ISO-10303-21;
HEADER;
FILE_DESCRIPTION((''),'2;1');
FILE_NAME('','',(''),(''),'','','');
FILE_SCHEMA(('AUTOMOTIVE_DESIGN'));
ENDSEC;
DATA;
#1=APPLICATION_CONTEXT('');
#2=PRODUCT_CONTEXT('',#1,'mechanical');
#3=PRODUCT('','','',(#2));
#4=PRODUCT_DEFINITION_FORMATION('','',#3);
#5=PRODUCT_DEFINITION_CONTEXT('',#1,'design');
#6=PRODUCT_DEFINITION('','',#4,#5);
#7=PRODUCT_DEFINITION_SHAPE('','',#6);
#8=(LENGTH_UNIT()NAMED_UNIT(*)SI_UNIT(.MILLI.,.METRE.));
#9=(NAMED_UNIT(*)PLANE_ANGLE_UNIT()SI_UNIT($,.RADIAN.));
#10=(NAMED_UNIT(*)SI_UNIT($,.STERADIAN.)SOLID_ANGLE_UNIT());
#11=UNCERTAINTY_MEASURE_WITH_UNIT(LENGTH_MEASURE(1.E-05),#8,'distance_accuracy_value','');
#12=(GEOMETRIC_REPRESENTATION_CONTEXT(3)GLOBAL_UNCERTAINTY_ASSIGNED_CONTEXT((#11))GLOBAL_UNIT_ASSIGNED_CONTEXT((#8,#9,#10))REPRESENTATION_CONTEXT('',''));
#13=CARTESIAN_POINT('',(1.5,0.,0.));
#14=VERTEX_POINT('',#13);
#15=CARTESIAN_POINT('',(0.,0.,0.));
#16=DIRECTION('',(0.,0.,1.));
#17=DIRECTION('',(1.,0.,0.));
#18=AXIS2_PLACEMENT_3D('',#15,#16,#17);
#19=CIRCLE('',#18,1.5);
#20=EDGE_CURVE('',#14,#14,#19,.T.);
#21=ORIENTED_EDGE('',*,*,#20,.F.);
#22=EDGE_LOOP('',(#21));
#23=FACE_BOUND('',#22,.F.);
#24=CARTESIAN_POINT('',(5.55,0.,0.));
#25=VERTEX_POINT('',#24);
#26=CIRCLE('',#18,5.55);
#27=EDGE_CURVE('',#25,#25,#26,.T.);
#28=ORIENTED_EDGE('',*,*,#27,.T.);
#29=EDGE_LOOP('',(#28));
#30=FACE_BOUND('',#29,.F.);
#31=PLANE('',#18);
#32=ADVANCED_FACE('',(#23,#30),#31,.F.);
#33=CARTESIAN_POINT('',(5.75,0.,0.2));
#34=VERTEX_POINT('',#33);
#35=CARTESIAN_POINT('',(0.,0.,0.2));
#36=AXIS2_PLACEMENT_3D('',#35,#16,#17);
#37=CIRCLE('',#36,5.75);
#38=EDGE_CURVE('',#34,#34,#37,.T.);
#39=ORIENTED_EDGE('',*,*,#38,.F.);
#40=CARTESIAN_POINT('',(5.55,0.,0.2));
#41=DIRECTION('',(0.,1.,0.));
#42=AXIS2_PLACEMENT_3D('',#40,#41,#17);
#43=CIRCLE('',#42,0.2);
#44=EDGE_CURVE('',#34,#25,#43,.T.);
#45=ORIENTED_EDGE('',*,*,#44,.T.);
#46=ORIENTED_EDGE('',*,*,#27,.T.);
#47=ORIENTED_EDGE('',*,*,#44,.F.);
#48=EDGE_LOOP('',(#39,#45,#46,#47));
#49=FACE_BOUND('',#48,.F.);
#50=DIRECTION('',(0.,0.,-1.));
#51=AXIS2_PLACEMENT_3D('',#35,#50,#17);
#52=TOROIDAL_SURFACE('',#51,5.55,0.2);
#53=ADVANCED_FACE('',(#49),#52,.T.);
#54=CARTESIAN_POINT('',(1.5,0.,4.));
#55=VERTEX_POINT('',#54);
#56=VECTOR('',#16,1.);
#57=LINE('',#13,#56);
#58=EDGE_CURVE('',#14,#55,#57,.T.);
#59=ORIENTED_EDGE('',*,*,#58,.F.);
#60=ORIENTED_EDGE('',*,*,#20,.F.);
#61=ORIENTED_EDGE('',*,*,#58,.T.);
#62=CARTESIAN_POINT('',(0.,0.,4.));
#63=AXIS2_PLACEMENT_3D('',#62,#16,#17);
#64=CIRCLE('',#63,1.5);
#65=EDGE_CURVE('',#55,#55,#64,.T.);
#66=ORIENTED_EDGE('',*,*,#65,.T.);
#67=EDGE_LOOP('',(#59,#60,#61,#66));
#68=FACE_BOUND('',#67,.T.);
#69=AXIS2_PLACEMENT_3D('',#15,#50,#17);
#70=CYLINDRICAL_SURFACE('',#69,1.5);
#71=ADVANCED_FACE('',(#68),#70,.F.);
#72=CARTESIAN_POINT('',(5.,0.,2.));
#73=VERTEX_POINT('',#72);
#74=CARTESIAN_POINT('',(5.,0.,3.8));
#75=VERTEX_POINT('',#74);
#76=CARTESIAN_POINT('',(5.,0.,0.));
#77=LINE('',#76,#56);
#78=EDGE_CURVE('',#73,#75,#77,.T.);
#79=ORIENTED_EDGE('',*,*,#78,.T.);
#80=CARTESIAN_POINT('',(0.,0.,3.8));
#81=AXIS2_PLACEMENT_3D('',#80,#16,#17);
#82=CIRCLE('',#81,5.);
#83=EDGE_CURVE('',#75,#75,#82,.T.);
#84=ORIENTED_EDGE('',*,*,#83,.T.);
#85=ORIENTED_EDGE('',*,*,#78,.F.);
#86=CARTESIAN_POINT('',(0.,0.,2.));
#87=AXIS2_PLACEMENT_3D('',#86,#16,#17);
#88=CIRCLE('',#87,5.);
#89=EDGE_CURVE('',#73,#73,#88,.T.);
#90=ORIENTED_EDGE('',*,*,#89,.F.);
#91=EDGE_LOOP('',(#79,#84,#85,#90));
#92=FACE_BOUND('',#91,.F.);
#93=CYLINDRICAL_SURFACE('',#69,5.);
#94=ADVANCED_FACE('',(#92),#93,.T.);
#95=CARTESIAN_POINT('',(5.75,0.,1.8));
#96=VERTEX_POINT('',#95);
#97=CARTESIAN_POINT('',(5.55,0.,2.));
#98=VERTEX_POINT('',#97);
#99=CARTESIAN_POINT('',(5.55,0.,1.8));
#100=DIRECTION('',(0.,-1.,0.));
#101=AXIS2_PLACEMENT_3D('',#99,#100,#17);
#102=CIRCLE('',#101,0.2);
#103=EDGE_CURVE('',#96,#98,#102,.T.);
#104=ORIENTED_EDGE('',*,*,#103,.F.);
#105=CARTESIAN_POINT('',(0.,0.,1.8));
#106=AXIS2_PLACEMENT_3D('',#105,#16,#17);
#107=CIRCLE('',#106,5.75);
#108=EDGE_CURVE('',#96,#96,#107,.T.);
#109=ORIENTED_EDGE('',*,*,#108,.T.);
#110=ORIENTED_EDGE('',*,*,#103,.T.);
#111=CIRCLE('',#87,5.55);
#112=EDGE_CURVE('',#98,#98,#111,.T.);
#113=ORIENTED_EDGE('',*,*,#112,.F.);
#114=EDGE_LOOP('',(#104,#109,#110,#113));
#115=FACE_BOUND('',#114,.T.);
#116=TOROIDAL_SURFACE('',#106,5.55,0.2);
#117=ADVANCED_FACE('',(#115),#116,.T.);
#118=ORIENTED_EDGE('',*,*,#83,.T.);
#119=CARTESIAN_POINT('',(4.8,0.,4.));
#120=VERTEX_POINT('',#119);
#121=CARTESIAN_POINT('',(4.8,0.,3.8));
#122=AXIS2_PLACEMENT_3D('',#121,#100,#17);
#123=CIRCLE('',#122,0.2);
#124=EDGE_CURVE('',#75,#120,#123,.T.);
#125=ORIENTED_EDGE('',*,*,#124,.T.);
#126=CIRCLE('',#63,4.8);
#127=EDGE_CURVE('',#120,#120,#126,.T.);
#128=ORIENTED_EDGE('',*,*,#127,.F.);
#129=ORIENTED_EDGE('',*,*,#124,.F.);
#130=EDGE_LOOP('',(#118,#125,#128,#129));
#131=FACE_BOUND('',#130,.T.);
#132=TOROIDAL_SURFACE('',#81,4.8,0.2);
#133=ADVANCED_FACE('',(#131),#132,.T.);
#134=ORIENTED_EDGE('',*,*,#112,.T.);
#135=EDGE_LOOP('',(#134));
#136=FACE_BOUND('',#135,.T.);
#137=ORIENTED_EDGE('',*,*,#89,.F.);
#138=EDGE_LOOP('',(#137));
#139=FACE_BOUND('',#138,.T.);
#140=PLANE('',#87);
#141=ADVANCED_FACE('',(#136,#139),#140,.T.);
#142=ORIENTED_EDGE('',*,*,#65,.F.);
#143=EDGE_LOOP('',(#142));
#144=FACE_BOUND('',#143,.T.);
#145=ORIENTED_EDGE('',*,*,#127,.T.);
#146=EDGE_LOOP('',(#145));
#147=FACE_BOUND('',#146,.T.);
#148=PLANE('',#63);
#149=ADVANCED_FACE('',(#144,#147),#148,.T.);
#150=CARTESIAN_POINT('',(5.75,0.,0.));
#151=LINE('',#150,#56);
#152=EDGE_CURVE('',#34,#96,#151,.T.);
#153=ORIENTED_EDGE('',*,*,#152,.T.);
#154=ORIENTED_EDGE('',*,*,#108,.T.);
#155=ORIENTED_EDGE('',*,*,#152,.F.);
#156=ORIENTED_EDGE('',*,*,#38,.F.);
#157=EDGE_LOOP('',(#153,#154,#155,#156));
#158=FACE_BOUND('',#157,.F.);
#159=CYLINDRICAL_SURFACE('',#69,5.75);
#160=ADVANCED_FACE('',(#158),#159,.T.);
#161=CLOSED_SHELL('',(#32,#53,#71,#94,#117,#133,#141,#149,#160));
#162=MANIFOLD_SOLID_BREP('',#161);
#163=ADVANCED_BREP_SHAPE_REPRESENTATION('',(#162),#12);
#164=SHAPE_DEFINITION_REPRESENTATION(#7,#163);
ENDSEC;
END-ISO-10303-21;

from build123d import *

# Parameters (mm, degrees)
F0_R     = 5
F0_R_2   = 1.5
F1_DEPTH = 4
F0_R_3   = 5.75
F2_DEPTH = 2
F3_R     = 0.2


with BuildPart() as f1:
    # F0 (on Top) → F1 (new body)
    with BuildSketch(Plane.XY):
        Circle(F0_R)
        Circle(F0_R_2, mode=Mode.SUBTRACT)
    extrude(amount=F1_DEPTH)

    # F0 (on Top) → F2 (join)
    with BuildSketch(Plane.XY):
        Circle(F0_R_3)
        Circle(F0_R, mode=Mode.SUBTRACT)
    extrude(amount=F2_DEPTH)

    # F3
    f3_edges = [f1.edges().sort_by_distance(p)[0] for p in [
        (-5, 0, 4),
        (-5.75, 0, 2),
        (-5.75, 0, 0),
    ]]
    fillet(f3_edges, radius=F3_R)


solid = f1.part
